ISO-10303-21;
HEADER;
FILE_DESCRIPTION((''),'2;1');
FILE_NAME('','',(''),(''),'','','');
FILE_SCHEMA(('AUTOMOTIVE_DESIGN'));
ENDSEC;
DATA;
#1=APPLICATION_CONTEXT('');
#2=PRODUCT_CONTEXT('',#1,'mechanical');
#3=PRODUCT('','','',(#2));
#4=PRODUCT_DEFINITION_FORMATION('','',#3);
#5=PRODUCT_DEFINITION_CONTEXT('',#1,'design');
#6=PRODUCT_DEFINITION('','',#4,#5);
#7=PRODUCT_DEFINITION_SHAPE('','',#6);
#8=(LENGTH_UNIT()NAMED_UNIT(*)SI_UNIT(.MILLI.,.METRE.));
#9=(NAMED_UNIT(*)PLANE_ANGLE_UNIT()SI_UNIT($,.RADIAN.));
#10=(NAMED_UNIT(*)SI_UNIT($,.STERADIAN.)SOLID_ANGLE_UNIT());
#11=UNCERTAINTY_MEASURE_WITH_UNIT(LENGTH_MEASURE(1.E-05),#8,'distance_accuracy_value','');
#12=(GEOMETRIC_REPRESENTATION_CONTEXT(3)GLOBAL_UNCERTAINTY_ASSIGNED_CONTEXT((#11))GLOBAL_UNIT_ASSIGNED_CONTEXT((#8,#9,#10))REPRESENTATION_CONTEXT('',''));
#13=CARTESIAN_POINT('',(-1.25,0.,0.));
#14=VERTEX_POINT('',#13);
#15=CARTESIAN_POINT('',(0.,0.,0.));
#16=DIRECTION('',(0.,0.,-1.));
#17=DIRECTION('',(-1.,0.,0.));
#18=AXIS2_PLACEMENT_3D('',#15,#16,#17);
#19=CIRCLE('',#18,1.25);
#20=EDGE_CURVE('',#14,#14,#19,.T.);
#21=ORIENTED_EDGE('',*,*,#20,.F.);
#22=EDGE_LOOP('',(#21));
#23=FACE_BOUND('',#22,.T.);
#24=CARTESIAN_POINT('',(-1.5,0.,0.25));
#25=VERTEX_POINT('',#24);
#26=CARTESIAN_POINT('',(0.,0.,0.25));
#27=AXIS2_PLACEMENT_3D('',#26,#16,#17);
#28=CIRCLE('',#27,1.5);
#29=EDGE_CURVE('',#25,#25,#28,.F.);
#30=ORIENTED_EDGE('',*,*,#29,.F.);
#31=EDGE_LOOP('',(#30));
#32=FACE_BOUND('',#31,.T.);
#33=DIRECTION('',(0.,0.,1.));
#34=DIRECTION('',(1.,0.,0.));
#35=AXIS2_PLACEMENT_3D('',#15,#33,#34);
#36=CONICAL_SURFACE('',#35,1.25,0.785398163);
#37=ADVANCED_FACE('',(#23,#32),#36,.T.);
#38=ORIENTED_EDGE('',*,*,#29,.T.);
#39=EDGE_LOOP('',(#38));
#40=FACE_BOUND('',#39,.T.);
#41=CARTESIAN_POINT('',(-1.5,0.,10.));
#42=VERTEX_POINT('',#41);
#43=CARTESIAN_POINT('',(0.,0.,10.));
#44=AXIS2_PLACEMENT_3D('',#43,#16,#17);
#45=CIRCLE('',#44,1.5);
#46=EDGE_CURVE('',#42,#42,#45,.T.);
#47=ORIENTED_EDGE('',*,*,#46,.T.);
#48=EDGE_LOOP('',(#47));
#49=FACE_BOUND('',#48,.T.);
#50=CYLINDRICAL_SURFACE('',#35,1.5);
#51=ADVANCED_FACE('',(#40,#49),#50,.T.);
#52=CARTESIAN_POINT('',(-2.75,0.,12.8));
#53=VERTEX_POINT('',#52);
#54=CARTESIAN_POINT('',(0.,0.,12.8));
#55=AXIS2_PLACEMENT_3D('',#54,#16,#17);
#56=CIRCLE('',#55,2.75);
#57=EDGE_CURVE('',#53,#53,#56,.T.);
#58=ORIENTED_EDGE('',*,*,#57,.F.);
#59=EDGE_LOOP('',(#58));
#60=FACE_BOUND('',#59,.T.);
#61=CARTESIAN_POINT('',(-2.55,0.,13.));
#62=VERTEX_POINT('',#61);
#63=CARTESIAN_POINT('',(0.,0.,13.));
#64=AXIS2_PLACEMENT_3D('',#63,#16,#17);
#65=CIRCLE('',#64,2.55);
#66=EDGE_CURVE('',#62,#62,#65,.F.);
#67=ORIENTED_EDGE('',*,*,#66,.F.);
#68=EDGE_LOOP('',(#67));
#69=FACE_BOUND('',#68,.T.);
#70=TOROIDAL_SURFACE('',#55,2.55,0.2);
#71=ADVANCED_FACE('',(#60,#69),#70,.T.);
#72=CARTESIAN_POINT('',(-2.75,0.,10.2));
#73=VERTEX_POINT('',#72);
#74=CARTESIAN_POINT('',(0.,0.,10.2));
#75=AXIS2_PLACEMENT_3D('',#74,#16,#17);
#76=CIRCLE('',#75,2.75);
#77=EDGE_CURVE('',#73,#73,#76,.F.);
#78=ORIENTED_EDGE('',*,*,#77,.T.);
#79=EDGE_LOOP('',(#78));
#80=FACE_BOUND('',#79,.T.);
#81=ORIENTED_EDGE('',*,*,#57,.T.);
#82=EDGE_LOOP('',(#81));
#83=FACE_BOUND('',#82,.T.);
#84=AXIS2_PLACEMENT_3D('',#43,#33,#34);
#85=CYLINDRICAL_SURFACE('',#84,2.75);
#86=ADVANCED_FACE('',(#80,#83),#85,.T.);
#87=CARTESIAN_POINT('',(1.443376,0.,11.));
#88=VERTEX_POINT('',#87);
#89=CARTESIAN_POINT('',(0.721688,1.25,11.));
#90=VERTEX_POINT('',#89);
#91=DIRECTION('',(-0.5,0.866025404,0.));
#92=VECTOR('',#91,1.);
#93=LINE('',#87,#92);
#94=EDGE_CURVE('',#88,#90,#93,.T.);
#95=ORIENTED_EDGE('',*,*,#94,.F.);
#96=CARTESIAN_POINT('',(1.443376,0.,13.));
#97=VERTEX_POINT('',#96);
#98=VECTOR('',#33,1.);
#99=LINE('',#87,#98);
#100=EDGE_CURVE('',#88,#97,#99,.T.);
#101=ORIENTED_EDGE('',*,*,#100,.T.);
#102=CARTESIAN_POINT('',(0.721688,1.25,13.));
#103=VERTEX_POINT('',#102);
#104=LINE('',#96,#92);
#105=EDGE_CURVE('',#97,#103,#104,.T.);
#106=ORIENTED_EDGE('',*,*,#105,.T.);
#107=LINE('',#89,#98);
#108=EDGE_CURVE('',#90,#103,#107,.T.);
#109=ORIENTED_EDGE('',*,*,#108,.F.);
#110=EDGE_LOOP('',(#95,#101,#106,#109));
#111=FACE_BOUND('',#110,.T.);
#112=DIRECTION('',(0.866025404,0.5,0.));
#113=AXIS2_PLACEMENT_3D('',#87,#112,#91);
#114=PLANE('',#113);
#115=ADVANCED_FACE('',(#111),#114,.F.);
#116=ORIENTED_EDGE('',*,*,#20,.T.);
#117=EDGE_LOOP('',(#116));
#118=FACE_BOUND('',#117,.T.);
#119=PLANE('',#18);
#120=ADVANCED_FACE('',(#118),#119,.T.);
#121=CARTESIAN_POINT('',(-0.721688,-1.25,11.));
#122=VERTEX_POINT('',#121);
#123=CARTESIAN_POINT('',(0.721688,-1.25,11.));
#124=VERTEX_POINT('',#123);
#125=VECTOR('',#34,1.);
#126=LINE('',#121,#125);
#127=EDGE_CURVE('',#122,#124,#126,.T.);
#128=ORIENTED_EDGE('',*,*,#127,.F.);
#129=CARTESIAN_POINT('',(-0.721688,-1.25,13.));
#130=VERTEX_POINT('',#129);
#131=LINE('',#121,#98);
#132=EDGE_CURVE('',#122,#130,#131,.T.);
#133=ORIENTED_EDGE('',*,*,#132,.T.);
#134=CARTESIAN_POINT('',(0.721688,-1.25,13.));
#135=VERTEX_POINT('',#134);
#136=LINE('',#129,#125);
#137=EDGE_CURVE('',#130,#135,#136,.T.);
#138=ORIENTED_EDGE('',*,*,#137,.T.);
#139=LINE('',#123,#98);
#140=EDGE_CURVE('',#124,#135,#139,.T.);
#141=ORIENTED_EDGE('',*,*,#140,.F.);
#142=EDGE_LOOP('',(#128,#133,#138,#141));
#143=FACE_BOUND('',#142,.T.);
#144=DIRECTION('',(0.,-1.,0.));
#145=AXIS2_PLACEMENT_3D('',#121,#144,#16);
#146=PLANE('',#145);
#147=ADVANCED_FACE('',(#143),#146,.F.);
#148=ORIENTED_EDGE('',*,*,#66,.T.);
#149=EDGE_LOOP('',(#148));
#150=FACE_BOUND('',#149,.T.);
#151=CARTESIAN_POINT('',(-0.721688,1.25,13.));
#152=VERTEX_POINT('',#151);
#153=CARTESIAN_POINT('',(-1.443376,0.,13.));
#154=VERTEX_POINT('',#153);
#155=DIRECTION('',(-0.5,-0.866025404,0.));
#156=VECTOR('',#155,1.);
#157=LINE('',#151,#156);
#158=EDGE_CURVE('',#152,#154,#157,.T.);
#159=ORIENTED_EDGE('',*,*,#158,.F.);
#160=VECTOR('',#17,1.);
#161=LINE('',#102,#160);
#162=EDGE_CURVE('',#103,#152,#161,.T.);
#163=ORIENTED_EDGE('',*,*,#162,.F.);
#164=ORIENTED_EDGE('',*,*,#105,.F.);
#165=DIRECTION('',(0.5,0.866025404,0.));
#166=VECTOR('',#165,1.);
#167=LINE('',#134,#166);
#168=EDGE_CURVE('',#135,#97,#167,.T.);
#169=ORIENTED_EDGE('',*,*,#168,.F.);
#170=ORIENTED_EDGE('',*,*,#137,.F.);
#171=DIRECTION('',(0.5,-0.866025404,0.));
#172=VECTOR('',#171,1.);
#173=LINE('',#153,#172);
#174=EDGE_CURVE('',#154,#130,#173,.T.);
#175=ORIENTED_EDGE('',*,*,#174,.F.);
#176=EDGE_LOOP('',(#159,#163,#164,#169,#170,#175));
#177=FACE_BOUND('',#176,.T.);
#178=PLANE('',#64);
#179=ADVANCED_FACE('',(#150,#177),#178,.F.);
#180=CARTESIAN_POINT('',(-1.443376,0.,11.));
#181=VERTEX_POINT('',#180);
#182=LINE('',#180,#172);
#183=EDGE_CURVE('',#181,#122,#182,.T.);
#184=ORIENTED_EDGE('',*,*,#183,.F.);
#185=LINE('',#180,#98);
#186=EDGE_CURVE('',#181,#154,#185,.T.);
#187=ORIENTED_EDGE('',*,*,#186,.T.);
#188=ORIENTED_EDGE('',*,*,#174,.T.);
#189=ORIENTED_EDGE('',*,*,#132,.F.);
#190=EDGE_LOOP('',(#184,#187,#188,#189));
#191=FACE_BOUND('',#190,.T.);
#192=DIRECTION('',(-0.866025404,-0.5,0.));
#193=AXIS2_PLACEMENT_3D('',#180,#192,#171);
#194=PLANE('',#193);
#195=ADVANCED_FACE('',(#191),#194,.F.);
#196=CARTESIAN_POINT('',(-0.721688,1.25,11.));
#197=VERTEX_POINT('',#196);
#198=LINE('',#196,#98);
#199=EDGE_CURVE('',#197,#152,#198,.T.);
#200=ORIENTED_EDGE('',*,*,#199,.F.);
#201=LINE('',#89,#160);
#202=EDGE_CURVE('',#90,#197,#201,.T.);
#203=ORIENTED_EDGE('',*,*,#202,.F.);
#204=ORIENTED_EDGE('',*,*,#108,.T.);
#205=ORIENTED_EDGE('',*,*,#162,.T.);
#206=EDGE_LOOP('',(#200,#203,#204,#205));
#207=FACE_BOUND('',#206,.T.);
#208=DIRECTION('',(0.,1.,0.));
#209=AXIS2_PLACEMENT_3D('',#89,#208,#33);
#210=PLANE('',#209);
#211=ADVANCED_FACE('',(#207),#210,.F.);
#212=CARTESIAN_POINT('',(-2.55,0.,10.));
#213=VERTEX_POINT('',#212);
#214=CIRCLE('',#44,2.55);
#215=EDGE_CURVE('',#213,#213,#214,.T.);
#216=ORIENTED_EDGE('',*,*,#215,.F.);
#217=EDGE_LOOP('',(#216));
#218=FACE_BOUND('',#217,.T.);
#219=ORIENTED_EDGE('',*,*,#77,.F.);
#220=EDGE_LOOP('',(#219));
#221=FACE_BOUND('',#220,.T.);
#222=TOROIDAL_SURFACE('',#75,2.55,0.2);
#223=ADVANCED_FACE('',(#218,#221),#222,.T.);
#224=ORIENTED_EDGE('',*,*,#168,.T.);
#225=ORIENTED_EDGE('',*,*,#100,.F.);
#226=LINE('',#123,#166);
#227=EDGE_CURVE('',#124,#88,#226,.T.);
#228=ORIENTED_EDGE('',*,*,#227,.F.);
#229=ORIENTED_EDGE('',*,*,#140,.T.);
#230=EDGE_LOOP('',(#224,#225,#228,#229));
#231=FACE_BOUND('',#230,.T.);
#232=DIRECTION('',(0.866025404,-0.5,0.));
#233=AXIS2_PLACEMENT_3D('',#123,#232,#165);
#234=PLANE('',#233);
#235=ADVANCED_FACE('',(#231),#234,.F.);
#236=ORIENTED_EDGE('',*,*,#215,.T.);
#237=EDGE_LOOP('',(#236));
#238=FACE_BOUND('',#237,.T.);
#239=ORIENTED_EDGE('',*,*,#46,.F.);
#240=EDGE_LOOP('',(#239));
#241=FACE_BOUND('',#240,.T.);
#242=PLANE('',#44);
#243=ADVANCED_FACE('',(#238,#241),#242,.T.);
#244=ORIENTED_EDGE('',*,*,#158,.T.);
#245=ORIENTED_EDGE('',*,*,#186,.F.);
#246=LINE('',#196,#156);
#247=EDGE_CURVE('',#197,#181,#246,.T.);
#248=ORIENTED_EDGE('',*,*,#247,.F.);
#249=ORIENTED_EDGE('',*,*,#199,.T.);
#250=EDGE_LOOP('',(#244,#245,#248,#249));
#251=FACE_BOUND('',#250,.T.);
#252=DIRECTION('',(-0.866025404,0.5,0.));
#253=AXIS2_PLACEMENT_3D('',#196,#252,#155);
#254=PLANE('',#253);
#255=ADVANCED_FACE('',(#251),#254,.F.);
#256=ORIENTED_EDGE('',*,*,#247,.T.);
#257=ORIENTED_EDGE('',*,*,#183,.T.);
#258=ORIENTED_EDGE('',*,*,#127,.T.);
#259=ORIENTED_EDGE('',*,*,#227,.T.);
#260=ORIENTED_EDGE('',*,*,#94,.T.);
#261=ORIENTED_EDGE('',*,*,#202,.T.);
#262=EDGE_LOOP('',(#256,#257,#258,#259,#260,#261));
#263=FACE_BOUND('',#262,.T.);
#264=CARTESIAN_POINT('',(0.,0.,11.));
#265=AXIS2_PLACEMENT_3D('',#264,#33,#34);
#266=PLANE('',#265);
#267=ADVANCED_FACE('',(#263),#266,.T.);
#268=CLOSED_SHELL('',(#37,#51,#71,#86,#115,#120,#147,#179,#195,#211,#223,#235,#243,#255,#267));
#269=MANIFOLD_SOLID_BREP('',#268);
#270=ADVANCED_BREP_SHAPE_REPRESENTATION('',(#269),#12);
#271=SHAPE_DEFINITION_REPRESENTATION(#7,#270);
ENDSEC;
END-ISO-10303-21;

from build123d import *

# Parameters (mm, degrees)
SKETCH1_R           = 2.75
BOSS_EXTRUDE1_DEPTH = 3
SKETCH2_R           = 1.5
BOSS_EXTRUDE2_DEPTH = 10
CUT_EXTRUDE1_DEPTH  = 2
CHAMFER1_SIZE       = 0.25
FILLET1_R           = 0.2


with BuildPart() as part:
    # Sketch1 → Boss-Extrude1 (new body)
    with BuildSketch(Plane.XY.offset(13)):
        with Locations(Location((0, 0, 0), (0, 0, 180))):
            Circle(SKETCH1_R)
    extrude(amount=-BOSS_EXTRUDE1_DEPTH)

    # Sketch2 → Boss-Extrude2 (add)
    with BuildSketch(Plane(origin=(0, 0, 10), x_dir=(-1, 0, 0), z_dir=(0, 0, -1))):
        Circle(SKETCH2_R)
    extrude(amount=BOSS_EXTRUDE2_DEPTH)

    # Sketch3 → Cut-Extrude1 (cut)
    with BuildSketch(Plane.XY.offset(13)):
        Polygon((-1.443375673, 0), (-0.721687836, -1.25), (0.721687836, -1.25), (1.443375673, 0), (0.721687836, 1.25), (-0.721687836, 1.25), align=None)
    extrude(amount=-CUT_EXTRUDE1_DEPTH, mode=Mode.SUBTRACT)

    # Chamfer1
    chamfer1_edges = [part.edges().sort_by_distance(p)[0] for p in [
        (1.5, 0, 0),
    ]]
    chamfer(chamfer1_edges, length=CHAMFER1_SIZE)

    # Fillet1
    fillet1_edges = [part.edges().sort_by_distance(p)[0] for p in [
        (2.75, 0, 13),
        (2.75, 0, 10),
    ]]
    fillet(fillet1_edges, radius=FILLET1_R)


solid = part.part
